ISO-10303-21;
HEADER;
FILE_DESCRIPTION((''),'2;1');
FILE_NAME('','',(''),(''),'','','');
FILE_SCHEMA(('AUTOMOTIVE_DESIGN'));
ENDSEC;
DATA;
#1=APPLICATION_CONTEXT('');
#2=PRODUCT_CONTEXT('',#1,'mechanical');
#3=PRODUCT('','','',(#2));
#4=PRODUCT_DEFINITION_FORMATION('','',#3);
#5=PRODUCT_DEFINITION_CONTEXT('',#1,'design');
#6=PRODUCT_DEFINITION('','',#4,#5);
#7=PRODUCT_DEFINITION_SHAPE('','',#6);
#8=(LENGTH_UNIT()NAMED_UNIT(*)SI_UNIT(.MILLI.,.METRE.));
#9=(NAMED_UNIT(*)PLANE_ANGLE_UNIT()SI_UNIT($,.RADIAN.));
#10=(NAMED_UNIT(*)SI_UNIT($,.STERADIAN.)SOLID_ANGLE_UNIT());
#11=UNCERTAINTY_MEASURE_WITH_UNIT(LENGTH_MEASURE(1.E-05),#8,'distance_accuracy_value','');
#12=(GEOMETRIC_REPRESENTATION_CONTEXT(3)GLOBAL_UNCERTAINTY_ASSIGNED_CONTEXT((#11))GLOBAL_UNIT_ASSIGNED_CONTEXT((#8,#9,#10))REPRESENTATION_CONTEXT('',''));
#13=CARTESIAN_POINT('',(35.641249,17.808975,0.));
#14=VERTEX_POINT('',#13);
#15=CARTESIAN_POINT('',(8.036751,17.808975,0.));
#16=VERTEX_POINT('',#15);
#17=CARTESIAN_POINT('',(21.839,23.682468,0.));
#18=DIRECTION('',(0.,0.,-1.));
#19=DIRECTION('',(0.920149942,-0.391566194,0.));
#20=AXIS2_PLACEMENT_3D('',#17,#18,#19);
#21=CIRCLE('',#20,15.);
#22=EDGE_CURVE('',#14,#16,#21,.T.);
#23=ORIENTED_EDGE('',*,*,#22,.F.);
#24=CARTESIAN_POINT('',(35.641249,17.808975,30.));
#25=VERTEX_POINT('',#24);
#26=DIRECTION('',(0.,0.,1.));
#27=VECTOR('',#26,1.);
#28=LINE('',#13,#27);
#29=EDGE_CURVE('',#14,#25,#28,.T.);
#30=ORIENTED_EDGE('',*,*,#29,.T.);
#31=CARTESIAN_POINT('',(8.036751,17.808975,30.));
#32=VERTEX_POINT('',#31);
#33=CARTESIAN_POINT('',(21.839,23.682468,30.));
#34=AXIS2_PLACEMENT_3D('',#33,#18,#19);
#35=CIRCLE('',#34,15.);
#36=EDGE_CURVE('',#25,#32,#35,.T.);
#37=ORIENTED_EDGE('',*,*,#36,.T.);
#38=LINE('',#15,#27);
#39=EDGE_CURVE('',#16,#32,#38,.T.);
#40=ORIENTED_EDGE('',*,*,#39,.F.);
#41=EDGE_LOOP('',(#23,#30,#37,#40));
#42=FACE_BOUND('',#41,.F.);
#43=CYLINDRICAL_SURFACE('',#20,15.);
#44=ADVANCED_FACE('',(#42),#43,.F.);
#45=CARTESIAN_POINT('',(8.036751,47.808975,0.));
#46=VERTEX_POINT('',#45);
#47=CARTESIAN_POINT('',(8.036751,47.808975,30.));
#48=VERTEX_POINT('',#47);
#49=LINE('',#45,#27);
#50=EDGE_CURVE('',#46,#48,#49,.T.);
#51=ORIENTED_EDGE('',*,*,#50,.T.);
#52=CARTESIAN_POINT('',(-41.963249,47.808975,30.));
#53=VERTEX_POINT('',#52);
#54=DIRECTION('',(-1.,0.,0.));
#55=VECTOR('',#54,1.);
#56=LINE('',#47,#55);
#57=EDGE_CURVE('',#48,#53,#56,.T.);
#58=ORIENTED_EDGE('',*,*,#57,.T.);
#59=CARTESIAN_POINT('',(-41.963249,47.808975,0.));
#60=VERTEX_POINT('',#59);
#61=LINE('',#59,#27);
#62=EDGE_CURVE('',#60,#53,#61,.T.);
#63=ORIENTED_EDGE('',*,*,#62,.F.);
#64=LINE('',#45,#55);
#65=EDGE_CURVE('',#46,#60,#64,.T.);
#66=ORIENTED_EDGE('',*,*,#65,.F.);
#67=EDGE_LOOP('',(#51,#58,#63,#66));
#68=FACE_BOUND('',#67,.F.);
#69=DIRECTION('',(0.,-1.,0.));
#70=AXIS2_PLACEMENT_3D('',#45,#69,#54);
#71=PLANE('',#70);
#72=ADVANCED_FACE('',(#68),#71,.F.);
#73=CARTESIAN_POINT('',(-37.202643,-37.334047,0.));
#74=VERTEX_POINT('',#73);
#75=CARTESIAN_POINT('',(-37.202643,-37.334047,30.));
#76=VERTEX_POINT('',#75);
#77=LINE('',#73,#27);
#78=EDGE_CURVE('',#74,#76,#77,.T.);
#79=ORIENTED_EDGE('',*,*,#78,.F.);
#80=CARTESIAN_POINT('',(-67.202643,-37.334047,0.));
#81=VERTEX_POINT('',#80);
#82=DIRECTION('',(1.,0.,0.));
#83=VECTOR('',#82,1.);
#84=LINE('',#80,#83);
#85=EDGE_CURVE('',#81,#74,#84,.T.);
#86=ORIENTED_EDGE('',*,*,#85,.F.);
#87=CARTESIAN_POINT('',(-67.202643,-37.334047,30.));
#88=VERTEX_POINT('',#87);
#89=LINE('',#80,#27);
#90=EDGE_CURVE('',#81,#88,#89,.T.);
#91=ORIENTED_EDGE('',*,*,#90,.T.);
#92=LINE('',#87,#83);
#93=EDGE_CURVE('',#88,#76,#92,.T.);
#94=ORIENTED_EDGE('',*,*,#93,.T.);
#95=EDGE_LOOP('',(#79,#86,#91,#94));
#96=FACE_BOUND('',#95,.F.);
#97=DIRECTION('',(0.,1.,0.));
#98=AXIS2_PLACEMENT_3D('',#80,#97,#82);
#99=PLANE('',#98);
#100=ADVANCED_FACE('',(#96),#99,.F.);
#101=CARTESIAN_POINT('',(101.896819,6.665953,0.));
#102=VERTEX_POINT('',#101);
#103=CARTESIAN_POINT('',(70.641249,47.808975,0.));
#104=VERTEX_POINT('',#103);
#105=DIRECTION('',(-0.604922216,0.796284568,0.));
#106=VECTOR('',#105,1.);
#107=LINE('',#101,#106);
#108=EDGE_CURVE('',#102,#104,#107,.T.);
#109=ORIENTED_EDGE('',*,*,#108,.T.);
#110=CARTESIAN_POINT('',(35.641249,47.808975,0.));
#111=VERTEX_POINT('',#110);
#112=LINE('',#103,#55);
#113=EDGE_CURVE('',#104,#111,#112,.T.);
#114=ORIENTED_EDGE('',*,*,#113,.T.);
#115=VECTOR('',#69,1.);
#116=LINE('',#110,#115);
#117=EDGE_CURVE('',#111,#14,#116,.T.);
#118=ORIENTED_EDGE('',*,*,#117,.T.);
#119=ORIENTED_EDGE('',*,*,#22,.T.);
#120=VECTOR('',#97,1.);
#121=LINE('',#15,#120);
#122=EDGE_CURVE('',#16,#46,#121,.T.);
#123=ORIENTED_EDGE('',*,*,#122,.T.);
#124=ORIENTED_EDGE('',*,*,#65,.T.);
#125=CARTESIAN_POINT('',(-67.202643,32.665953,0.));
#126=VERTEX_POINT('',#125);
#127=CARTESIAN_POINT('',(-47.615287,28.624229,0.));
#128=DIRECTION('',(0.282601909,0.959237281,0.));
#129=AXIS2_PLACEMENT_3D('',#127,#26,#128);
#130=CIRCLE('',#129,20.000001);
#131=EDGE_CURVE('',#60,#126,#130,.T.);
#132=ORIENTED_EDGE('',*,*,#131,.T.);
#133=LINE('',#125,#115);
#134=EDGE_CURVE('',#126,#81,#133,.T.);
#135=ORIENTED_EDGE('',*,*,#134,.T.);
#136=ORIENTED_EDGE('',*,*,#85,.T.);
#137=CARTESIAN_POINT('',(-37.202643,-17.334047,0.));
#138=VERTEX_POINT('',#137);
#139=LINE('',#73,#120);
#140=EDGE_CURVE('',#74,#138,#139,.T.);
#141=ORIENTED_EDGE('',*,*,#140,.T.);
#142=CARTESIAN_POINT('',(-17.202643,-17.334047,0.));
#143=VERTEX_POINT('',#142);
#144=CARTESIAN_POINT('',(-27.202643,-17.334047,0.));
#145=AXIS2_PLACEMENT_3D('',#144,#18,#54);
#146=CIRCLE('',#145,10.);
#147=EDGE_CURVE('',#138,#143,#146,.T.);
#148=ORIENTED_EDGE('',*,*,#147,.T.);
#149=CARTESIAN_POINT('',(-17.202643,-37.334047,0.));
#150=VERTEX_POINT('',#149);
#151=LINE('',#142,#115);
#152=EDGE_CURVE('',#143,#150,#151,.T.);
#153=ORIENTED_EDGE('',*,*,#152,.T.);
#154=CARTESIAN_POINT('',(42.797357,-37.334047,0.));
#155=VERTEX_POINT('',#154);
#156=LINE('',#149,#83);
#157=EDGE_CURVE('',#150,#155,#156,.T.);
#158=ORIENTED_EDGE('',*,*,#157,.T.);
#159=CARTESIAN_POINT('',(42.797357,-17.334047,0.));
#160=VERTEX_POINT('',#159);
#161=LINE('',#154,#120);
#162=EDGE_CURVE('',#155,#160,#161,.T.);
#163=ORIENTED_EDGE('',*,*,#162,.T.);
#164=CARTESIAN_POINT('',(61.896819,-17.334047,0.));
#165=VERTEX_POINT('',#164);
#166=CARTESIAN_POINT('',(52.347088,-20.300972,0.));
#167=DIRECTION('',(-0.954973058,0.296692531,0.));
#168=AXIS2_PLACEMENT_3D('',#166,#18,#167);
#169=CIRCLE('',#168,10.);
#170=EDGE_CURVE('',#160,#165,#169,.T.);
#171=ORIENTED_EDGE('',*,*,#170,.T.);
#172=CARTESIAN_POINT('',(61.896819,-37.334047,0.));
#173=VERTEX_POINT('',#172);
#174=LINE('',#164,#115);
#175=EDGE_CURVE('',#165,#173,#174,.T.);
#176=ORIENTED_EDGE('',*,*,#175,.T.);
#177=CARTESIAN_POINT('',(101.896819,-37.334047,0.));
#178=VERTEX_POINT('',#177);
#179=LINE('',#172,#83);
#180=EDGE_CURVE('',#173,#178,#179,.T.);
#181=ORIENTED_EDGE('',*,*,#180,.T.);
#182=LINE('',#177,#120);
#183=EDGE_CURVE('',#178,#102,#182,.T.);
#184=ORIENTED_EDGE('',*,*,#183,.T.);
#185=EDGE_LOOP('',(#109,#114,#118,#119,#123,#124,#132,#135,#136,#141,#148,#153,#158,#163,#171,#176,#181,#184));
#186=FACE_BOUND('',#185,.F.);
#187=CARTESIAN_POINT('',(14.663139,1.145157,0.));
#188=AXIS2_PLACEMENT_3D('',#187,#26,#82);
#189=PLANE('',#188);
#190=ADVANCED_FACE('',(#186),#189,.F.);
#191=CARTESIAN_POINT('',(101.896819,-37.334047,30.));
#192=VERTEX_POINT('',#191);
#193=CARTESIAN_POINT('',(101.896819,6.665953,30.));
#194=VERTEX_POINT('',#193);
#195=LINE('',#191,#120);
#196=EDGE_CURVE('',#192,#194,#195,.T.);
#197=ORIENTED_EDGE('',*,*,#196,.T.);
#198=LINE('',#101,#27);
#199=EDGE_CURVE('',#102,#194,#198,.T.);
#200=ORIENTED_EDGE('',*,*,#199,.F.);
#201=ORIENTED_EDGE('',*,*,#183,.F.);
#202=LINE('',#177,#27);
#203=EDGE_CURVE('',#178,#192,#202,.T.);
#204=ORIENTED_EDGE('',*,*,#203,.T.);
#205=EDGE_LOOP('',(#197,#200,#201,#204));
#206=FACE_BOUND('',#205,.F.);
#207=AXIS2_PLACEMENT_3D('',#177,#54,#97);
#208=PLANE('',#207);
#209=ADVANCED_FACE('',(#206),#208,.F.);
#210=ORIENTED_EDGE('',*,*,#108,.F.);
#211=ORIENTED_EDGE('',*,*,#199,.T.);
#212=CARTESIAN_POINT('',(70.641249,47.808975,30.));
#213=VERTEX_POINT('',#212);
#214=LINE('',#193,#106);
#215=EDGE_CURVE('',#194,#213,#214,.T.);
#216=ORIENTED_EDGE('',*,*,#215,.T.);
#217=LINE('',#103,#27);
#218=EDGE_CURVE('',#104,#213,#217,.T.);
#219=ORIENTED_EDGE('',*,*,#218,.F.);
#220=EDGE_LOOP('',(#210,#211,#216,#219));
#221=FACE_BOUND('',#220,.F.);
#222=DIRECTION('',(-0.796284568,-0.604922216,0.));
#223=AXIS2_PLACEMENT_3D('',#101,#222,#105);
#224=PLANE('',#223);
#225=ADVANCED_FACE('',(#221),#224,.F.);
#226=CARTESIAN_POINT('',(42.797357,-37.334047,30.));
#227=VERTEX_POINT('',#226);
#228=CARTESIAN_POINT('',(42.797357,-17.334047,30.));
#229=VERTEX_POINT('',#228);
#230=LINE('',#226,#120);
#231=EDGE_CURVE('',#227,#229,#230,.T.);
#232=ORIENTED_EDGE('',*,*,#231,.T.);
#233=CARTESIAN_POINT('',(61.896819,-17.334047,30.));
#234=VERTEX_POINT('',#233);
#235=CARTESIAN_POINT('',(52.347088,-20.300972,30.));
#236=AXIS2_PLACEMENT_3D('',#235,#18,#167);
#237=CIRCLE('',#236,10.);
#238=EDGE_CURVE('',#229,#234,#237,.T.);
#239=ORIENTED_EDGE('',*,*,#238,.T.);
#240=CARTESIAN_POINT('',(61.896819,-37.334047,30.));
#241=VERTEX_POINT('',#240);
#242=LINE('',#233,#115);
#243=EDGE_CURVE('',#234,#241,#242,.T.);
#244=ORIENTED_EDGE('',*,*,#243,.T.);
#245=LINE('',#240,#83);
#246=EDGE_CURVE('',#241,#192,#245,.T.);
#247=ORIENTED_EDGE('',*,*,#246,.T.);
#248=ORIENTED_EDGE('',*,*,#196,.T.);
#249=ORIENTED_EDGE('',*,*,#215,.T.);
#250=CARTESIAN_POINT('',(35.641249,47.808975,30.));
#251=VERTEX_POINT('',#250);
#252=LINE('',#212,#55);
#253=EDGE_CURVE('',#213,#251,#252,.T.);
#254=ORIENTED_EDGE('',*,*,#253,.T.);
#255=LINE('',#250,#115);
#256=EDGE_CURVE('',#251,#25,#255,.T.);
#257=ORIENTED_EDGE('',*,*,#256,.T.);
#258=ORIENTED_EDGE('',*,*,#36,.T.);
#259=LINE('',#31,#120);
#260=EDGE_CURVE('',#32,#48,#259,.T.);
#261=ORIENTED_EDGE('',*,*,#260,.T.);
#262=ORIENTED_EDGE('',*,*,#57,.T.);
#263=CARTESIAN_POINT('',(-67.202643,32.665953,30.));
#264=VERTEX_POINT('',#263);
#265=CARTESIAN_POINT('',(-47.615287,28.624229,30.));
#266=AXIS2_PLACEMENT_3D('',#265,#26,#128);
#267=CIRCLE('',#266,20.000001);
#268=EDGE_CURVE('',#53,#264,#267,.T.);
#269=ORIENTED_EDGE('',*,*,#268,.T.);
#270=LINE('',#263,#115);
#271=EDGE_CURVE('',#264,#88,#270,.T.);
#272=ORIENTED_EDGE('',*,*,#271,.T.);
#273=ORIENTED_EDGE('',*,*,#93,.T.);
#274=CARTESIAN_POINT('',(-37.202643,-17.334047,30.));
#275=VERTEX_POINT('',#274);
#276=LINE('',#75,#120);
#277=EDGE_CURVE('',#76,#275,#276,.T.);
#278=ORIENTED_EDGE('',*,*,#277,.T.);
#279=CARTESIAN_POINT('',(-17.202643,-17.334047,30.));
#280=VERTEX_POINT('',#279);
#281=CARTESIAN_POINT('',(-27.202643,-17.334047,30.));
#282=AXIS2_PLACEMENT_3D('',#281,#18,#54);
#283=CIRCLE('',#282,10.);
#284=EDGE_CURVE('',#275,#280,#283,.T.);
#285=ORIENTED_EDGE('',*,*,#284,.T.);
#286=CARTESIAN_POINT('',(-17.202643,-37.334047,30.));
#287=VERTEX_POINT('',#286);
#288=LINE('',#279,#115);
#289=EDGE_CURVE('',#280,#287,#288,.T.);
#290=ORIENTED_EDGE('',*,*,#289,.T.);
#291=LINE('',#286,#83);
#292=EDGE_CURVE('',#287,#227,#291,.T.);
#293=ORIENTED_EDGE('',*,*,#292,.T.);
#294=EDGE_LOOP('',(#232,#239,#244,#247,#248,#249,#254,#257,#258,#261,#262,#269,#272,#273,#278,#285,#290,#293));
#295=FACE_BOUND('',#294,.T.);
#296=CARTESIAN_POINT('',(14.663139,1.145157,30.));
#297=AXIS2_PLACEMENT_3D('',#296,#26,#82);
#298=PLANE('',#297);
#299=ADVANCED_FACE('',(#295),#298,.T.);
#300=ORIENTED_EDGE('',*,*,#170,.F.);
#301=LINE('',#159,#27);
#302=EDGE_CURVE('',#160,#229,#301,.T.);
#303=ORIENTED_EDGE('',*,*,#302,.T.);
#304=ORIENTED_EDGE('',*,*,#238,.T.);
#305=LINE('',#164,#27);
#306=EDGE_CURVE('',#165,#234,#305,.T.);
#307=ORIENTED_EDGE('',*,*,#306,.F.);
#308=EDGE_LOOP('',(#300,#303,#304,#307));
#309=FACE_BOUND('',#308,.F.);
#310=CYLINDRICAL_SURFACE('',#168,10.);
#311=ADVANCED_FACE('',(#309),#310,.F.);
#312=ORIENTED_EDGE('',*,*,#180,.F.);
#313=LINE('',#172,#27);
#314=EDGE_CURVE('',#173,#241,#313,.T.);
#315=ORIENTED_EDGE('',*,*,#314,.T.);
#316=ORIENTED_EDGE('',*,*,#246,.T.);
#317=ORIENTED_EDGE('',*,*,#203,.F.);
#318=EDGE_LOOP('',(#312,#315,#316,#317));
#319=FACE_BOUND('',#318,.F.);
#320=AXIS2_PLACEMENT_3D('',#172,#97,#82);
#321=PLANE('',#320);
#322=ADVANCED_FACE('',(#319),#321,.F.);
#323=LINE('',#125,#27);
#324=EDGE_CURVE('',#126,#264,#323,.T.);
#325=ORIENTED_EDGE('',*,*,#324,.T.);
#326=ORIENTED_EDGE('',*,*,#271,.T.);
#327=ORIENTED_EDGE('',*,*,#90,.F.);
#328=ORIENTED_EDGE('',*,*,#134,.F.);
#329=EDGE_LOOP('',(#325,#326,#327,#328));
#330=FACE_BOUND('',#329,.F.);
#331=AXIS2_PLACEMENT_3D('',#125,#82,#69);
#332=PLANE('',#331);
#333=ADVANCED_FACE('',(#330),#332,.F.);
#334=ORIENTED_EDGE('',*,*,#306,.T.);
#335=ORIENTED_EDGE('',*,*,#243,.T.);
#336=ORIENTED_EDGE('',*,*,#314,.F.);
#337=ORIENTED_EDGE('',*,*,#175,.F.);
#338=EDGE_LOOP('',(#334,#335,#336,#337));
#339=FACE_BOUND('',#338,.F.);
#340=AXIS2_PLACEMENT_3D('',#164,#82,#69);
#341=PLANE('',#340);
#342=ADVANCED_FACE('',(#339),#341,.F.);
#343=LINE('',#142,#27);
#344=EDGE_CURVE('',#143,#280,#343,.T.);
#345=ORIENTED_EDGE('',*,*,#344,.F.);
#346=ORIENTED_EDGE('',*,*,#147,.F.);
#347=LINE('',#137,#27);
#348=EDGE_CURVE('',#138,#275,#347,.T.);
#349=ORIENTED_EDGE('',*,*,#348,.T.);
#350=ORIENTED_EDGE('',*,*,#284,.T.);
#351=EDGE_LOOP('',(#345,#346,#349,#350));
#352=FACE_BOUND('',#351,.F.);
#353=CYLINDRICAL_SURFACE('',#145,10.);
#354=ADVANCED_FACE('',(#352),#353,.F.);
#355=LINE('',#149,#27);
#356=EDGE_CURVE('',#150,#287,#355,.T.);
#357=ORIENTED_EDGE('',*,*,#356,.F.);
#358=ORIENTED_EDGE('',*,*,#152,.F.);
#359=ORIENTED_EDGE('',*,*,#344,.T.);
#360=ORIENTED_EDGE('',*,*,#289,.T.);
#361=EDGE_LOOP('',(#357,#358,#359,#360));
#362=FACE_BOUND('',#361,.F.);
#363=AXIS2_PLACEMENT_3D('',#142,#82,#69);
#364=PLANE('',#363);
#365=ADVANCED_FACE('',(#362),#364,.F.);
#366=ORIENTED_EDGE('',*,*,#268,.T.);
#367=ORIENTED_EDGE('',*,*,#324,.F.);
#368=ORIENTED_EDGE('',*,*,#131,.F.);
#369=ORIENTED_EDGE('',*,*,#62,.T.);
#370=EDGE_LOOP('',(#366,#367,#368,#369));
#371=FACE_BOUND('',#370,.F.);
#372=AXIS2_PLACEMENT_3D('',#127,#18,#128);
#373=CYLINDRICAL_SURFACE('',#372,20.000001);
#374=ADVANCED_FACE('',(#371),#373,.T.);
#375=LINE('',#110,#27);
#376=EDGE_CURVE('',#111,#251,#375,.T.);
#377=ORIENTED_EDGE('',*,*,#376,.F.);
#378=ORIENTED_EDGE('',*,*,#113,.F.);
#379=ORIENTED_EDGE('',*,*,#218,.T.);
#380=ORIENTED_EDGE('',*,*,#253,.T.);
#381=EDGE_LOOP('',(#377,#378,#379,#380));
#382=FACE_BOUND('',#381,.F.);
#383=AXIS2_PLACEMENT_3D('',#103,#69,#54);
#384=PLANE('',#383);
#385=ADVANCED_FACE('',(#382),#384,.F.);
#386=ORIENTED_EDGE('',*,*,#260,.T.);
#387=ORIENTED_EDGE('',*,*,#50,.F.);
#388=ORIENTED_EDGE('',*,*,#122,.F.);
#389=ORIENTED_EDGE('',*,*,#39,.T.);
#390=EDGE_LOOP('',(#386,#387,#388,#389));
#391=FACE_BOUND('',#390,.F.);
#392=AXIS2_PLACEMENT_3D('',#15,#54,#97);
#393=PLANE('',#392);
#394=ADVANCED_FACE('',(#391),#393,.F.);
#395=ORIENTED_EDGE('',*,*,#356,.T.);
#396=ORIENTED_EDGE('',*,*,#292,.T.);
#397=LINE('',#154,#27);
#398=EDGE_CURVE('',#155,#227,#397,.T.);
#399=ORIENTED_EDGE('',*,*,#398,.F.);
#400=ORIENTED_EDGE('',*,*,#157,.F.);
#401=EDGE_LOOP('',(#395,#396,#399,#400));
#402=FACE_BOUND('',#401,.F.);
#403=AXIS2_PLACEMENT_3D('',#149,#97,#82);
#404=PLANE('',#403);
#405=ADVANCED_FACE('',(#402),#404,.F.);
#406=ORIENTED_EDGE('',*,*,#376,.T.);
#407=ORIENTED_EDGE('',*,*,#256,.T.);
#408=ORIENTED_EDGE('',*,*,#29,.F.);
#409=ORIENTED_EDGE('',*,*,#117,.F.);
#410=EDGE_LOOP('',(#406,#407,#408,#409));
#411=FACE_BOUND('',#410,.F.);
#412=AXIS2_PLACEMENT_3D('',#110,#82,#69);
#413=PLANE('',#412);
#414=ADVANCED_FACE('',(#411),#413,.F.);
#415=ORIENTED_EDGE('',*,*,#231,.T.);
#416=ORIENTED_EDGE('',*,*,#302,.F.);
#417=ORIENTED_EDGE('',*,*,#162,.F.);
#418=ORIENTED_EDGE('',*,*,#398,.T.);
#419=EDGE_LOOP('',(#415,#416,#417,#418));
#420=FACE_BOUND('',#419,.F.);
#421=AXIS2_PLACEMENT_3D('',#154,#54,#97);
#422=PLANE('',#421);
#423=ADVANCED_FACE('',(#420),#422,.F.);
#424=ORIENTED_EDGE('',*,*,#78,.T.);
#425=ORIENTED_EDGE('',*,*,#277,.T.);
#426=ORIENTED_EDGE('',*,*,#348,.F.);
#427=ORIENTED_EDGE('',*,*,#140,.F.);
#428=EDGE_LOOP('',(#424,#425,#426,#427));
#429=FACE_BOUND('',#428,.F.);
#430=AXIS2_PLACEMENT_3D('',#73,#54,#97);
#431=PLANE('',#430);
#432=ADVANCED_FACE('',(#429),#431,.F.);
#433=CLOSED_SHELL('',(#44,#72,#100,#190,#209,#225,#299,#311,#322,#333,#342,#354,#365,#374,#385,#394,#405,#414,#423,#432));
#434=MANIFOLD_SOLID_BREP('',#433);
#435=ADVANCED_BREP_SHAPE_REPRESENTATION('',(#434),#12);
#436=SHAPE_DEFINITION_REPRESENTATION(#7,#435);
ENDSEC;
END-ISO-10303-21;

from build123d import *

# Parameters (mm, degrees)
F1_DEPTH = 30


with BuildPart() as f1:
    # F0 (on Top) → F1 (new body)
    with BuildSketch(Plane.XY):
        with BuildLine():
            Line((8.036751, 47.808975), (-41.963249, 47.808975))
            ThreePointArc((-41.963249, 47.808975), (-57.904896, 45.774272), (-67.202643, 32.665953))
            Line((-67.202643, 32.665953), (-67.202643, -37.334047))
            Line((-67.202643, -37.334047), (-37.202643, -37.334047))
            Line((-37.202643, -37.334047), (-37.202643, -17.334047))
            ThreePointArc((-37.202643, -17.334047), (-27.202643, -7.334047), (-17.202643, -17.334047))
            Line((-17.202643, -17.334047), (-17.202643, -37.334047))
            Line((-17.202643, -37.334047), (42.797357, -37.334047))
            Line((42.797357, -37.334047), (42.797357, -17.334047))
            ThreePointArc((42.797357, -17.334047), (52.347088, -10.300972), (61.896819, -17.334047))
            Line((61.896819, -17.334047), (61.896819, -37.334047))
            Line((61.896819, -37.334047), (101.896819, -37.334047))
            Line((101.896819, -37.334047), (101.896819, 6.665953))
            Line((101.896819, 6.665953), (70.641249, 47.808975))
            Line((70.641249, 47.808975), (35.641249, 47.808975))
            Line((35.641249, 47.808975), (35.641249, 17.808975))
            ThreePointArc((35.641249, 17.808975), (21.839, 8.682468), (8.036751, 17.808975))
            Line((8.036751, 17.808975), (8.036751, 47.808975))
        make_face()
    extrude(amount=F1_DEPTH)


solid = f1.part
